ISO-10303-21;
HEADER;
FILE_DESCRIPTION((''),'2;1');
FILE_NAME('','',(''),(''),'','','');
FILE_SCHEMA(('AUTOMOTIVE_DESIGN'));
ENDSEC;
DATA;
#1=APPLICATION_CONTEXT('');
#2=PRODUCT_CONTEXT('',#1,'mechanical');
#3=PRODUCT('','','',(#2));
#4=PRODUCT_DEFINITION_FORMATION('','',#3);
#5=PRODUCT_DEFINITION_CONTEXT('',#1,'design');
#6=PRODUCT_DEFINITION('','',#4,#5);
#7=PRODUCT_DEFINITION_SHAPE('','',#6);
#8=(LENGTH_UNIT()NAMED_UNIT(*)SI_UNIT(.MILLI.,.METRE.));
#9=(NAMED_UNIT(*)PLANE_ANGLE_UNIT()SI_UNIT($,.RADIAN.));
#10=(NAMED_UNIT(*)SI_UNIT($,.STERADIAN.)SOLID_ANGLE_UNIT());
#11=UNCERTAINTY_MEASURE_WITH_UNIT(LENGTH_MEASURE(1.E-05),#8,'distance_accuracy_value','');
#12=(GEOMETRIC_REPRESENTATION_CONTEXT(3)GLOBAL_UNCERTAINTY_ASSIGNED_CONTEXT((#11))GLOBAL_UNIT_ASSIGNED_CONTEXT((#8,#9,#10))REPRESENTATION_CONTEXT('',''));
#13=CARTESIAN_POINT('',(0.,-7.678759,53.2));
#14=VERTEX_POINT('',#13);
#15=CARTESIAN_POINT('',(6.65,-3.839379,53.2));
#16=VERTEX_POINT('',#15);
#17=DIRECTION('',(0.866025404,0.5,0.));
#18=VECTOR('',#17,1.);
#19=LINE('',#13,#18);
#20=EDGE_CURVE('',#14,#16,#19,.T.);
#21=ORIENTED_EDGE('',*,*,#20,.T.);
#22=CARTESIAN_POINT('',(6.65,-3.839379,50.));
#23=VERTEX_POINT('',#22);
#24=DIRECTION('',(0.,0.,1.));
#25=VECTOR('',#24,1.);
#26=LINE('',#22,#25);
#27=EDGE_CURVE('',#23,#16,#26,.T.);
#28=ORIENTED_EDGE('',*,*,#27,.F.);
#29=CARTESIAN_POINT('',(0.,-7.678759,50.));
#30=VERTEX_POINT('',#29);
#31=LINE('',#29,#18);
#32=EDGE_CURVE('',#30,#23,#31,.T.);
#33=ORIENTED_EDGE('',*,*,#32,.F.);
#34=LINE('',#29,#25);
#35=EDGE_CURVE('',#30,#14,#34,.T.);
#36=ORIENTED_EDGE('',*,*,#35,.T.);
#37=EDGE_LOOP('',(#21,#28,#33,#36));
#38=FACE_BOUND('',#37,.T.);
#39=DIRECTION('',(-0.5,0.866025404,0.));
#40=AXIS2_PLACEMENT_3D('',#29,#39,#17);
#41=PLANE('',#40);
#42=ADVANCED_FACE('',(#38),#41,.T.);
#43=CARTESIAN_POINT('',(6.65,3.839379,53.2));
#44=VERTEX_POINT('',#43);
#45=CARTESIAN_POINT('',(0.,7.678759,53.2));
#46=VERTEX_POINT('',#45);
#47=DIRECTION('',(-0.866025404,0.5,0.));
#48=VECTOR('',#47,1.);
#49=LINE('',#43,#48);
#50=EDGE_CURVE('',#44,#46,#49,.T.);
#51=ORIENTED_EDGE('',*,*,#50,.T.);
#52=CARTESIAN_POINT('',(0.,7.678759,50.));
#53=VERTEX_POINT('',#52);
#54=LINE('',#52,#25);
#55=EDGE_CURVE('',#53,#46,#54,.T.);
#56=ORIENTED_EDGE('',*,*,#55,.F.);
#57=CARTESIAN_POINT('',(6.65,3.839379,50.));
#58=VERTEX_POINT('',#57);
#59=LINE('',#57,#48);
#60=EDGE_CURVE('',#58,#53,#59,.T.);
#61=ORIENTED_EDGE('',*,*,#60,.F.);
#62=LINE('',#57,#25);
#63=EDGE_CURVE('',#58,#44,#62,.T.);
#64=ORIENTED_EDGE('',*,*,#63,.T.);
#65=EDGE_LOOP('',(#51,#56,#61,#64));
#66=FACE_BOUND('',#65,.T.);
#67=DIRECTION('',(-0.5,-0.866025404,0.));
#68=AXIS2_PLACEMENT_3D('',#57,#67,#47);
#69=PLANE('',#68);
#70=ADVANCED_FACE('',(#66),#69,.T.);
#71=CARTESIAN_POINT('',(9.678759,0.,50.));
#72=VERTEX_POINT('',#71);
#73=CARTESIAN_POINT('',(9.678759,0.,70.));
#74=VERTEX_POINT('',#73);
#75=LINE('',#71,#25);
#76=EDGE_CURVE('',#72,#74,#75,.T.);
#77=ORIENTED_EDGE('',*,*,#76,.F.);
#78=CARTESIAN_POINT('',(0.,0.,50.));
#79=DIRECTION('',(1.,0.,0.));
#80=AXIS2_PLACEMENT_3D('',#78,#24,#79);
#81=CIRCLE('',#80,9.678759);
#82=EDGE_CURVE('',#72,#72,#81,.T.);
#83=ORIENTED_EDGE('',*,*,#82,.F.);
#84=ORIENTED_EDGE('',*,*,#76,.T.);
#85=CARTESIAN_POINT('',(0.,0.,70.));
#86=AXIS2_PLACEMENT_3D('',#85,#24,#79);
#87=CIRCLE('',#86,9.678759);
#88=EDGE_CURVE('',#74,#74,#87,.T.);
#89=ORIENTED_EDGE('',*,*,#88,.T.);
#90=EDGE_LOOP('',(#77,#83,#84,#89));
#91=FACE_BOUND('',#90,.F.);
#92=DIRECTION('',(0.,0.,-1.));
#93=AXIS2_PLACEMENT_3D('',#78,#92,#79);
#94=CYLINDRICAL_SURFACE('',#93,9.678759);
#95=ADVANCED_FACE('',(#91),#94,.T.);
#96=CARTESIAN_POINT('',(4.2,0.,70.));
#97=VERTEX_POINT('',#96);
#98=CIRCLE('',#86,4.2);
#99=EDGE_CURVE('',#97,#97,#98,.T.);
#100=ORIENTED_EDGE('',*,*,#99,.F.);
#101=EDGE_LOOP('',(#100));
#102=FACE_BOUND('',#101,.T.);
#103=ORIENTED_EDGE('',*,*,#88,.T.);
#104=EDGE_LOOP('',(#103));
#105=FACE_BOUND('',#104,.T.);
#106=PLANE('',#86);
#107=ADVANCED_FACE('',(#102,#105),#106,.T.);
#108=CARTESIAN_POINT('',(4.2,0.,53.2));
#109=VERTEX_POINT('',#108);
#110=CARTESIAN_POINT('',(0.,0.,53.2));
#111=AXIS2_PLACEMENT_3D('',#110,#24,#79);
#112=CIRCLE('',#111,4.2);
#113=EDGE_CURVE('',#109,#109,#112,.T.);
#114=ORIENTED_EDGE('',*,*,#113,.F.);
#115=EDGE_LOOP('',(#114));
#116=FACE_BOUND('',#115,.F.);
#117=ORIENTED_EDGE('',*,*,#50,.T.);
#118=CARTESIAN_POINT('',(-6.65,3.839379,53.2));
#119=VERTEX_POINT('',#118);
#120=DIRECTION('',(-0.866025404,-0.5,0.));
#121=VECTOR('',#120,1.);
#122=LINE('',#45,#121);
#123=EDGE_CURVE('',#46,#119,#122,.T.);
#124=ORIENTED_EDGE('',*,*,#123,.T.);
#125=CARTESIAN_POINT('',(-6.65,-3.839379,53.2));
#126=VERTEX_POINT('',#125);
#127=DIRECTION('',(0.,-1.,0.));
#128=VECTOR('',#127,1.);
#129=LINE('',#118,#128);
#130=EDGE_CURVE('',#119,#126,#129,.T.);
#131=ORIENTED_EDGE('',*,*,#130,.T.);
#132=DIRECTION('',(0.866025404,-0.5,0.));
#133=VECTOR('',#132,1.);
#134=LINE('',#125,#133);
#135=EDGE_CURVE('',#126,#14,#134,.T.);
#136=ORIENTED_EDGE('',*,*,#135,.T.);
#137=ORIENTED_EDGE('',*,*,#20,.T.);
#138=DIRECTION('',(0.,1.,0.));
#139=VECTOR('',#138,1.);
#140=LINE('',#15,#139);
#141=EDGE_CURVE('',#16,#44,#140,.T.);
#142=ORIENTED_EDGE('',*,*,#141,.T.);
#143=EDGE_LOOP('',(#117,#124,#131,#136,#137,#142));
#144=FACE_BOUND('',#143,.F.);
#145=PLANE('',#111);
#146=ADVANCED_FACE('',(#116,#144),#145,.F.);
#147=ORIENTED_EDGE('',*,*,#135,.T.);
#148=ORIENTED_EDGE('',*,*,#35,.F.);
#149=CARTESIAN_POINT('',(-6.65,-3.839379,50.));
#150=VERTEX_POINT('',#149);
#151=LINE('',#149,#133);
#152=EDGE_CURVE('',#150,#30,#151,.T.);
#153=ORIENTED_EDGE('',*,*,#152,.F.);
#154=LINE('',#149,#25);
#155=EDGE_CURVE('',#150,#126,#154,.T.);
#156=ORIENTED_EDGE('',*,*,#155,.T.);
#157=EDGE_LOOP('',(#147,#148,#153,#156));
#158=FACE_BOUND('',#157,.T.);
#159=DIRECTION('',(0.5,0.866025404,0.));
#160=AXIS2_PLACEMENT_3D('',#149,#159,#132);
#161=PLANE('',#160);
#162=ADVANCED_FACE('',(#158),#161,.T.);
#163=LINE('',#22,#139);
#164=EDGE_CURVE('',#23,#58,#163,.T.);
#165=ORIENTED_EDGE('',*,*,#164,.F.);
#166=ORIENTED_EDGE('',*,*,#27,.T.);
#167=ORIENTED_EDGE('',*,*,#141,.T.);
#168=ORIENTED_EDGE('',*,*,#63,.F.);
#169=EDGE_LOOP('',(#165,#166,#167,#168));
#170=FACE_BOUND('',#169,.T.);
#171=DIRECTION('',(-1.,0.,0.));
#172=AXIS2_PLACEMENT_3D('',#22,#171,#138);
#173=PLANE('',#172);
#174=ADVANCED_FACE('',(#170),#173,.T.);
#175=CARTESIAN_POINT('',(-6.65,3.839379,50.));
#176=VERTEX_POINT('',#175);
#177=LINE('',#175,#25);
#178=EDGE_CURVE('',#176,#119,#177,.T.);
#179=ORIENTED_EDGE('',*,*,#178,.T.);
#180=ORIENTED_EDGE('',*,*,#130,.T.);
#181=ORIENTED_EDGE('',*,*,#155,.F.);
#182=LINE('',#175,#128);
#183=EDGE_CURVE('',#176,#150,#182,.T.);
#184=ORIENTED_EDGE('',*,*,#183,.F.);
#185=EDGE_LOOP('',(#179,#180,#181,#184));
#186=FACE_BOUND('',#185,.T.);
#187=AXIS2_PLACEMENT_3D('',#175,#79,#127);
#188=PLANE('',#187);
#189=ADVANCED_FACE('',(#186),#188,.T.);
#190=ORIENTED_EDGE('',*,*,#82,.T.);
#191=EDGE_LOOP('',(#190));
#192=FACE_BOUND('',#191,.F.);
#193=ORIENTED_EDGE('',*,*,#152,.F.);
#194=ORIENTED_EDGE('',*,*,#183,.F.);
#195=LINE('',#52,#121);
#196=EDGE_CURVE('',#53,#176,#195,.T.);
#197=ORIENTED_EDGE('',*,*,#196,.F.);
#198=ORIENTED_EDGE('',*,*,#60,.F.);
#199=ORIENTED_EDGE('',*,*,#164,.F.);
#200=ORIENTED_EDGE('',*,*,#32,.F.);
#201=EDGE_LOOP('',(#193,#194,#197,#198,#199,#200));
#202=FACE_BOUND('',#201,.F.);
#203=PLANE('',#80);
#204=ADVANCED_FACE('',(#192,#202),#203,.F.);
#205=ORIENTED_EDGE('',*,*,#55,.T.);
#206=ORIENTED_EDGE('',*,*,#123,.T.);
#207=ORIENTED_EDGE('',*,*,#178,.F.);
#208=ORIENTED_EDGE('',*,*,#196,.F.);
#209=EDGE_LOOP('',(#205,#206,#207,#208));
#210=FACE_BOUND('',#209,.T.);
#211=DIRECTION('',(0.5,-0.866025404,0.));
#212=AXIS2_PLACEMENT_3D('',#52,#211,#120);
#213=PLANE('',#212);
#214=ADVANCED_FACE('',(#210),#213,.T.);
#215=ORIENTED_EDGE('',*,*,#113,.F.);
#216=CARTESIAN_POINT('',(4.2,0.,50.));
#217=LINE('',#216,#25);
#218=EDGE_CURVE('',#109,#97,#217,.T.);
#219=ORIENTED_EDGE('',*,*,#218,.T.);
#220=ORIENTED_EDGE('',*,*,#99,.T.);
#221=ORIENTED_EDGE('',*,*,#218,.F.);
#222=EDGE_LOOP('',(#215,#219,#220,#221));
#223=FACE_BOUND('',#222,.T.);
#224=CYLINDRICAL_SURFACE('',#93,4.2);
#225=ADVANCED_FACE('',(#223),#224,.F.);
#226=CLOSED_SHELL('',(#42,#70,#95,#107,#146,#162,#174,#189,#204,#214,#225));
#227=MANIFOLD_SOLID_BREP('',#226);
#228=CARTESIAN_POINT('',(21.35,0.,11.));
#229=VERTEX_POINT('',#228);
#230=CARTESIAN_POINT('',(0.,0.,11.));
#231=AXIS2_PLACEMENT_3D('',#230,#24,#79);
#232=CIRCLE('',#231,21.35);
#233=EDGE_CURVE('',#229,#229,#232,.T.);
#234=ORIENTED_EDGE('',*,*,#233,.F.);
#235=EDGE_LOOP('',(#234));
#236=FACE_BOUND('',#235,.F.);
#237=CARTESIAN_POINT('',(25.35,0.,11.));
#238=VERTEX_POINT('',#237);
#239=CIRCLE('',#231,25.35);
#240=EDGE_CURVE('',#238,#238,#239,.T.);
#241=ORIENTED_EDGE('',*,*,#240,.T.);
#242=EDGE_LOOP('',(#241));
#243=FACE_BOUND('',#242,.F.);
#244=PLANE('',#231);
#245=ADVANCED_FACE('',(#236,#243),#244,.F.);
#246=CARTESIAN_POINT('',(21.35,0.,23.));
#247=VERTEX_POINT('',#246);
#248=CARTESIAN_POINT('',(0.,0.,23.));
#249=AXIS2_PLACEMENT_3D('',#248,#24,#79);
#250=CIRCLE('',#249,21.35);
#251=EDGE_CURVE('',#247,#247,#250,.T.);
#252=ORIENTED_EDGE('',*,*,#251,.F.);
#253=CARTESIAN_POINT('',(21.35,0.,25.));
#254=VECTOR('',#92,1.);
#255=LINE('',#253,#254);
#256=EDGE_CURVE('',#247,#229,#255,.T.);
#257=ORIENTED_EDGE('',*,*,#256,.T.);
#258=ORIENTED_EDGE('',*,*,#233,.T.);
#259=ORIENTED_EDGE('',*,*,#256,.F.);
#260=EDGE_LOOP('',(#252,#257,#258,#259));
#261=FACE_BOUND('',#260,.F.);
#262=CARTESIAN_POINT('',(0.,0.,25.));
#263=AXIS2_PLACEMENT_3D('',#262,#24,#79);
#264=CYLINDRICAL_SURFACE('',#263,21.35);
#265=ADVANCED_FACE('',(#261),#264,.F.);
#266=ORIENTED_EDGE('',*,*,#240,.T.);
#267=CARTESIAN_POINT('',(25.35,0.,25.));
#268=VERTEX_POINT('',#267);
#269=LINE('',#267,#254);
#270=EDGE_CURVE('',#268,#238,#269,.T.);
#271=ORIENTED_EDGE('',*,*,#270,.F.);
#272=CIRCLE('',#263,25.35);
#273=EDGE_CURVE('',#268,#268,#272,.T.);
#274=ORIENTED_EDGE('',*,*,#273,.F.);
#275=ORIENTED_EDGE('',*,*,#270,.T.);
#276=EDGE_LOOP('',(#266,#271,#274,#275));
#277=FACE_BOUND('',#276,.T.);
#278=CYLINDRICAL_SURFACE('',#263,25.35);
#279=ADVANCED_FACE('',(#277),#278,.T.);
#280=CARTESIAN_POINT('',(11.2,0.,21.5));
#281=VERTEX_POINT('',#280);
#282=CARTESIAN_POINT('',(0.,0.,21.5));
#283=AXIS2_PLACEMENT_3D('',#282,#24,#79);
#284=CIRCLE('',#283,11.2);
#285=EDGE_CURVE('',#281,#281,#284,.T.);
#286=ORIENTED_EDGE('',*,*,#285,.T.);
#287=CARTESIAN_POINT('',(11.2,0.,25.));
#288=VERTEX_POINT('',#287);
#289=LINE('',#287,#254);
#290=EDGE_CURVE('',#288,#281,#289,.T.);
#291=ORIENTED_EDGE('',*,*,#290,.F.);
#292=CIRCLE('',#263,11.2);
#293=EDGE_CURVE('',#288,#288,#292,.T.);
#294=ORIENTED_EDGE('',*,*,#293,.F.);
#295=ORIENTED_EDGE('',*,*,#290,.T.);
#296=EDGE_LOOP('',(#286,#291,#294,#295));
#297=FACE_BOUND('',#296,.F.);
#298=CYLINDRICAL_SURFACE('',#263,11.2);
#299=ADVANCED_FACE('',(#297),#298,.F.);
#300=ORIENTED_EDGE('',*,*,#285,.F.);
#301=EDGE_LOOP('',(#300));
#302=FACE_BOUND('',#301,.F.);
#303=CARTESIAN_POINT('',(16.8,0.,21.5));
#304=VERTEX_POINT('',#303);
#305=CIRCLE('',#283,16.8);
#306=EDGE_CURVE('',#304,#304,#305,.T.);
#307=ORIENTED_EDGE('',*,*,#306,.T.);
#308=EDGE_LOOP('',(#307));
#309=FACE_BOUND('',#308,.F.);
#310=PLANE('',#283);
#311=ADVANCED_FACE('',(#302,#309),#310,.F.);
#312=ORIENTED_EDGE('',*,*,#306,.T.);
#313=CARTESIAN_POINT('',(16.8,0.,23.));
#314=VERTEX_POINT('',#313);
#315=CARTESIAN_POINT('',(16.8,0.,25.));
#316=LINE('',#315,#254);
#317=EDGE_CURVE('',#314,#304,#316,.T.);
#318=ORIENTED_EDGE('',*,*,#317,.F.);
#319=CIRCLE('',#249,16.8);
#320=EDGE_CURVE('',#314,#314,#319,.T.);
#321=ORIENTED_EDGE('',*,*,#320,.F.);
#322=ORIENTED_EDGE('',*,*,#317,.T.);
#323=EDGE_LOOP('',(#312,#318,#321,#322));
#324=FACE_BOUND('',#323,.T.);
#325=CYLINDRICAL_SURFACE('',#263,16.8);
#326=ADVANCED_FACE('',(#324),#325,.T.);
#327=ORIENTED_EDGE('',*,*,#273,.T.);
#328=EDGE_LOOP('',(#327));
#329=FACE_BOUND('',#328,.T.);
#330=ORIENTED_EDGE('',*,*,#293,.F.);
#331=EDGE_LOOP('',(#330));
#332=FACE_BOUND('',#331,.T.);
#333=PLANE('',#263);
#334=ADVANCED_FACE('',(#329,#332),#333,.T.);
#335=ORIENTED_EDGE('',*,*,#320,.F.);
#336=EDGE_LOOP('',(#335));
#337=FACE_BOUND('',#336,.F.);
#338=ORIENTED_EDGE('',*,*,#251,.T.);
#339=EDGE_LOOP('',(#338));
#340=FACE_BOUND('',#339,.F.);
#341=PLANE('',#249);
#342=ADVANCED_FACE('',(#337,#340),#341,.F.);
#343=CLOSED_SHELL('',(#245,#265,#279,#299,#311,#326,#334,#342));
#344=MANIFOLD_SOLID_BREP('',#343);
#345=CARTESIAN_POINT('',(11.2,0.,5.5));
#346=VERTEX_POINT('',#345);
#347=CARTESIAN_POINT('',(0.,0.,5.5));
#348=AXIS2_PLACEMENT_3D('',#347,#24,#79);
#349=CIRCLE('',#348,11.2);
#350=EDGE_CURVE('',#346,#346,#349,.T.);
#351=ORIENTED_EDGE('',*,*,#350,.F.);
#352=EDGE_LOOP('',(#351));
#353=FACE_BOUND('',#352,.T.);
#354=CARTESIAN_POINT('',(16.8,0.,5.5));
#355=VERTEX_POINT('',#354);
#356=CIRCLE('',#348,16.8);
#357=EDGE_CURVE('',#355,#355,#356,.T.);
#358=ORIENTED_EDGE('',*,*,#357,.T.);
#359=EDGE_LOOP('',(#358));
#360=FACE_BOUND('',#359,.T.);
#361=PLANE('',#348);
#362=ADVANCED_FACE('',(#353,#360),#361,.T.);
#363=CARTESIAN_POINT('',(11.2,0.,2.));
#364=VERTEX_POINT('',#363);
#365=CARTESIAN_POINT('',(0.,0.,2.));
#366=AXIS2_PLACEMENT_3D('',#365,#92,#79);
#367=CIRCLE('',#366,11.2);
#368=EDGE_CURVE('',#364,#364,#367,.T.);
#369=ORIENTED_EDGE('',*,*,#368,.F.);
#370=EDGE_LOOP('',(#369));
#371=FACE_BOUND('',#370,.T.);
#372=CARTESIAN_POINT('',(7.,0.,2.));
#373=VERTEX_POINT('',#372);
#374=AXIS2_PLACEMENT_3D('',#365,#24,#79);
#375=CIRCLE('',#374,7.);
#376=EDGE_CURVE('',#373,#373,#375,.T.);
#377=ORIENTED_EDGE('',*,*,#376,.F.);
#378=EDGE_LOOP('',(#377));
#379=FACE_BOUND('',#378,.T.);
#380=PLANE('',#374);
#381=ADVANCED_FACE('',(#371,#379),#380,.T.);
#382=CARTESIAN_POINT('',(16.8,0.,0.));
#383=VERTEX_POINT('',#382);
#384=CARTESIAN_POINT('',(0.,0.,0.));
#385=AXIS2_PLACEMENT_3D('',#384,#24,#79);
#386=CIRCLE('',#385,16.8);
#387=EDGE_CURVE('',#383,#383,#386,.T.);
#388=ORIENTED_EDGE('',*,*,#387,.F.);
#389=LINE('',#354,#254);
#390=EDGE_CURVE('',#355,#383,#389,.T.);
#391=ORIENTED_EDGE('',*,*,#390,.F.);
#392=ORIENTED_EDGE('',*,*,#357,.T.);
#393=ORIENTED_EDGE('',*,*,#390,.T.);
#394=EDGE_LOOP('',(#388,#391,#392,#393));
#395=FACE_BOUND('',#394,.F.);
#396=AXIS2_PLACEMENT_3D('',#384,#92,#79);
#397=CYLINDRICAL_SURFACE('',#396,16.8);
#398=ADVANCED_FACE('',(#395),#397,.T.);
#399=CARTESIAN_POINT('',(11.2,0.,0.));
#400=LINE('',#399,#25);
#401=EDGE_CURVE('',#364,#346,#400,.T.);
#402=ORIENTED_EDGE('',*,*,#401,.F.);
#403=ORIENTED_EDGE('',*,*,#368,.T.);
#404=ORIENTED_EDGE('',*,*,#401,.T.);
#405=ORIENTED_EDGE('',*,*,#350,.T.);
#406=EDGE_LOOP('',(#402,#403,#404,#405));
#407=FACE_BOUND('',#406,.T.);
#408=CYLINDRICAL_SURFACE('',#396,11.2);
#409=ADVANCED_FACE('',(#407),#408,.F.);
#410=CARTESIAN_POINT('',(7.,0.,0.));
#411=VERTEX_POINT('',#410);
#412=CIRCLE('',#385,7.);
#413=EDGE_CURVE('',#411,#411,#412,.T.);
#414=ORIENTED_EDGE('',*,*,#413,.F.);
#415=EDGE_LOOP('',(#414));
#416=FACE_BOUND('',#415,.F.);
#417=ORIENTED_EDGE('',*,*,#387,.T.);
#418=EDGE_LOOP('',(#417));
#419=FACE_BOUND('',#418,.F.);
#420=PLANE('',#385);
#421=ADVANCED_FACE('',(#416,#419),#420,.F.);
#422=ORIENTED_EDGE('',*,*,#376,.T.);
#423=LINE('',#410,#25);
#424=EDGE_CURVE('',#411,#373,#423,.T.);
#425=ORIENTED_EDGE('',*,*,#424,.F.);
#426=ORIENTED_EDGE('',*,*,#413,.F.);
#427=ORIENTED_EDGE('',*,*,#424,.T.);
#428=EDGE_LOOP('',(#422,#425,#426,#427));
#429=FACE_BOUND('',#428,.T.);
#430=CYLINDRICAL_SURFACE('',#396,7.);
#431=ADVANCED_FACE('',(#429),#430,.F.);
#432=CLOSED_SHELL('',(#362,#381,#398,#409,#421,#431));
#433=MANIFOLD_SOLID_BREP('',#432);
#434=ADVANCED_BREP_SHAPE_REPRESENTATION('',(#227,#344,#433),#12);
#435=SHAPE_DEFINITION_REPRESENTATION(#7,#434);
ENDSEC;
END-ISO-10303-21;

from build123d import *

# Parameters (mm, degrees)
F4_R      = 16.8
F4_R_2    = 11.2
F4_R_3    = 7
F5_DEPTH  = 2
F6_DEPTH  = 5.5
F8_R      = 16.8
F8_R_2    = 11.2
F9_DEPTH  = 3.5
F8_R_3    = 21.35
F10_DEPTH = 2
F8_R_4    = 25.35
F11_DEPTH = 14
F13_R     = 9.6787585802
F13_R_2   = 4.2
F14_DEPTH = 20
F15_DEPTH = 3.2


with BuildPart() as f5:
    # F4 (on Top) → F5 (new body)
    with BuildSketch(Plane.XY):
        Circle(F4_R)
        Circle(F4_R_2, mode=Mode.SUBTRACT)
        Circle(F4_R_2)
        Circle(F4_R_3, mode=Mode.SUBTRACT)
    extrude(amount=F5_DEPTH)

    # F4 (on Top) → F6 (join)
    with BuildSketch(Plane.XY):
        Circle(F4_R)
        Circle(F4_R_2, mode=Mode.SUBTRACT)
    extrude(amount=F6_DEPTH)


with BuildPart() as f9:
    # F8 (on offset) → F9 (new body)
    with BuildSketch(Plane.XY.offset(25)):
        Circle(F8_R)
        Circle(F8_R_2, mode=Mode.SUBTRACT)
    extrude(amount=-F9_DEPTH)

    # F8 (on offset) → F10 (join)
    with BuildSketch(Plane.XY.offset(25)):
        Circle(F8_R_3)
        Circle(F8_R, mode=Mode.SUBTRACT)
    extrude(amount=-F10_DEPTH)

    # F8 (on offset) → F11 (join)
    with BuildSketch(Plane.XY.offset(25)):
        Circle(F8_R_4)
        Circle(F8_R_3, mode=Mode.SUBTRACT)
    extrude(amount=-F11_DEPTH)


with BuildPart() as f14:
    # F13 (on offset) → F14 (new body)
    with BuildSketch(Plane.XY.offset(50)):
        Circle(F13_R)
        Polygon((0, 7.6787585802), (6.65, 3.8393792901), (6.65, -3.8393792901), (0, -7.6787585802), (-6.65, -3.8393792901), (-6.65, 3.8393792901), align=None, mode=Mode.SUBTRACT)
        Polygon((6.65, -3.8393792901), (6.65, 3.8393792901), (0, 7.6787585802), (-6.65, 3.8393792901), (-6.65, -3.8393792901), (0, -7.6787585802), align=None)
        Circle(F13_R_2, mode=Mode.SUBTRACT)
    extrude(amount=F14_DEPTH)

    # F13 (on offset) → F15 (cut)
    with BuildSketch(Plane.XY.offset(50)):
        Polygon((6.65, -3.8393792901), (6.65, 3.8393792901), (0, 7.6787585802), (-6.65, 3.8393792901), (-6.65, -3.8393792901), (0, -7.6787585802), align=None)
        Circle(F13_R_2, mode=Mode.SUBTRACT)
    extrude(amount=F15_DEPTH, mode=Mode.SUBTRACT)


solid = Compound([f5.part, f9.part, f14.part])
